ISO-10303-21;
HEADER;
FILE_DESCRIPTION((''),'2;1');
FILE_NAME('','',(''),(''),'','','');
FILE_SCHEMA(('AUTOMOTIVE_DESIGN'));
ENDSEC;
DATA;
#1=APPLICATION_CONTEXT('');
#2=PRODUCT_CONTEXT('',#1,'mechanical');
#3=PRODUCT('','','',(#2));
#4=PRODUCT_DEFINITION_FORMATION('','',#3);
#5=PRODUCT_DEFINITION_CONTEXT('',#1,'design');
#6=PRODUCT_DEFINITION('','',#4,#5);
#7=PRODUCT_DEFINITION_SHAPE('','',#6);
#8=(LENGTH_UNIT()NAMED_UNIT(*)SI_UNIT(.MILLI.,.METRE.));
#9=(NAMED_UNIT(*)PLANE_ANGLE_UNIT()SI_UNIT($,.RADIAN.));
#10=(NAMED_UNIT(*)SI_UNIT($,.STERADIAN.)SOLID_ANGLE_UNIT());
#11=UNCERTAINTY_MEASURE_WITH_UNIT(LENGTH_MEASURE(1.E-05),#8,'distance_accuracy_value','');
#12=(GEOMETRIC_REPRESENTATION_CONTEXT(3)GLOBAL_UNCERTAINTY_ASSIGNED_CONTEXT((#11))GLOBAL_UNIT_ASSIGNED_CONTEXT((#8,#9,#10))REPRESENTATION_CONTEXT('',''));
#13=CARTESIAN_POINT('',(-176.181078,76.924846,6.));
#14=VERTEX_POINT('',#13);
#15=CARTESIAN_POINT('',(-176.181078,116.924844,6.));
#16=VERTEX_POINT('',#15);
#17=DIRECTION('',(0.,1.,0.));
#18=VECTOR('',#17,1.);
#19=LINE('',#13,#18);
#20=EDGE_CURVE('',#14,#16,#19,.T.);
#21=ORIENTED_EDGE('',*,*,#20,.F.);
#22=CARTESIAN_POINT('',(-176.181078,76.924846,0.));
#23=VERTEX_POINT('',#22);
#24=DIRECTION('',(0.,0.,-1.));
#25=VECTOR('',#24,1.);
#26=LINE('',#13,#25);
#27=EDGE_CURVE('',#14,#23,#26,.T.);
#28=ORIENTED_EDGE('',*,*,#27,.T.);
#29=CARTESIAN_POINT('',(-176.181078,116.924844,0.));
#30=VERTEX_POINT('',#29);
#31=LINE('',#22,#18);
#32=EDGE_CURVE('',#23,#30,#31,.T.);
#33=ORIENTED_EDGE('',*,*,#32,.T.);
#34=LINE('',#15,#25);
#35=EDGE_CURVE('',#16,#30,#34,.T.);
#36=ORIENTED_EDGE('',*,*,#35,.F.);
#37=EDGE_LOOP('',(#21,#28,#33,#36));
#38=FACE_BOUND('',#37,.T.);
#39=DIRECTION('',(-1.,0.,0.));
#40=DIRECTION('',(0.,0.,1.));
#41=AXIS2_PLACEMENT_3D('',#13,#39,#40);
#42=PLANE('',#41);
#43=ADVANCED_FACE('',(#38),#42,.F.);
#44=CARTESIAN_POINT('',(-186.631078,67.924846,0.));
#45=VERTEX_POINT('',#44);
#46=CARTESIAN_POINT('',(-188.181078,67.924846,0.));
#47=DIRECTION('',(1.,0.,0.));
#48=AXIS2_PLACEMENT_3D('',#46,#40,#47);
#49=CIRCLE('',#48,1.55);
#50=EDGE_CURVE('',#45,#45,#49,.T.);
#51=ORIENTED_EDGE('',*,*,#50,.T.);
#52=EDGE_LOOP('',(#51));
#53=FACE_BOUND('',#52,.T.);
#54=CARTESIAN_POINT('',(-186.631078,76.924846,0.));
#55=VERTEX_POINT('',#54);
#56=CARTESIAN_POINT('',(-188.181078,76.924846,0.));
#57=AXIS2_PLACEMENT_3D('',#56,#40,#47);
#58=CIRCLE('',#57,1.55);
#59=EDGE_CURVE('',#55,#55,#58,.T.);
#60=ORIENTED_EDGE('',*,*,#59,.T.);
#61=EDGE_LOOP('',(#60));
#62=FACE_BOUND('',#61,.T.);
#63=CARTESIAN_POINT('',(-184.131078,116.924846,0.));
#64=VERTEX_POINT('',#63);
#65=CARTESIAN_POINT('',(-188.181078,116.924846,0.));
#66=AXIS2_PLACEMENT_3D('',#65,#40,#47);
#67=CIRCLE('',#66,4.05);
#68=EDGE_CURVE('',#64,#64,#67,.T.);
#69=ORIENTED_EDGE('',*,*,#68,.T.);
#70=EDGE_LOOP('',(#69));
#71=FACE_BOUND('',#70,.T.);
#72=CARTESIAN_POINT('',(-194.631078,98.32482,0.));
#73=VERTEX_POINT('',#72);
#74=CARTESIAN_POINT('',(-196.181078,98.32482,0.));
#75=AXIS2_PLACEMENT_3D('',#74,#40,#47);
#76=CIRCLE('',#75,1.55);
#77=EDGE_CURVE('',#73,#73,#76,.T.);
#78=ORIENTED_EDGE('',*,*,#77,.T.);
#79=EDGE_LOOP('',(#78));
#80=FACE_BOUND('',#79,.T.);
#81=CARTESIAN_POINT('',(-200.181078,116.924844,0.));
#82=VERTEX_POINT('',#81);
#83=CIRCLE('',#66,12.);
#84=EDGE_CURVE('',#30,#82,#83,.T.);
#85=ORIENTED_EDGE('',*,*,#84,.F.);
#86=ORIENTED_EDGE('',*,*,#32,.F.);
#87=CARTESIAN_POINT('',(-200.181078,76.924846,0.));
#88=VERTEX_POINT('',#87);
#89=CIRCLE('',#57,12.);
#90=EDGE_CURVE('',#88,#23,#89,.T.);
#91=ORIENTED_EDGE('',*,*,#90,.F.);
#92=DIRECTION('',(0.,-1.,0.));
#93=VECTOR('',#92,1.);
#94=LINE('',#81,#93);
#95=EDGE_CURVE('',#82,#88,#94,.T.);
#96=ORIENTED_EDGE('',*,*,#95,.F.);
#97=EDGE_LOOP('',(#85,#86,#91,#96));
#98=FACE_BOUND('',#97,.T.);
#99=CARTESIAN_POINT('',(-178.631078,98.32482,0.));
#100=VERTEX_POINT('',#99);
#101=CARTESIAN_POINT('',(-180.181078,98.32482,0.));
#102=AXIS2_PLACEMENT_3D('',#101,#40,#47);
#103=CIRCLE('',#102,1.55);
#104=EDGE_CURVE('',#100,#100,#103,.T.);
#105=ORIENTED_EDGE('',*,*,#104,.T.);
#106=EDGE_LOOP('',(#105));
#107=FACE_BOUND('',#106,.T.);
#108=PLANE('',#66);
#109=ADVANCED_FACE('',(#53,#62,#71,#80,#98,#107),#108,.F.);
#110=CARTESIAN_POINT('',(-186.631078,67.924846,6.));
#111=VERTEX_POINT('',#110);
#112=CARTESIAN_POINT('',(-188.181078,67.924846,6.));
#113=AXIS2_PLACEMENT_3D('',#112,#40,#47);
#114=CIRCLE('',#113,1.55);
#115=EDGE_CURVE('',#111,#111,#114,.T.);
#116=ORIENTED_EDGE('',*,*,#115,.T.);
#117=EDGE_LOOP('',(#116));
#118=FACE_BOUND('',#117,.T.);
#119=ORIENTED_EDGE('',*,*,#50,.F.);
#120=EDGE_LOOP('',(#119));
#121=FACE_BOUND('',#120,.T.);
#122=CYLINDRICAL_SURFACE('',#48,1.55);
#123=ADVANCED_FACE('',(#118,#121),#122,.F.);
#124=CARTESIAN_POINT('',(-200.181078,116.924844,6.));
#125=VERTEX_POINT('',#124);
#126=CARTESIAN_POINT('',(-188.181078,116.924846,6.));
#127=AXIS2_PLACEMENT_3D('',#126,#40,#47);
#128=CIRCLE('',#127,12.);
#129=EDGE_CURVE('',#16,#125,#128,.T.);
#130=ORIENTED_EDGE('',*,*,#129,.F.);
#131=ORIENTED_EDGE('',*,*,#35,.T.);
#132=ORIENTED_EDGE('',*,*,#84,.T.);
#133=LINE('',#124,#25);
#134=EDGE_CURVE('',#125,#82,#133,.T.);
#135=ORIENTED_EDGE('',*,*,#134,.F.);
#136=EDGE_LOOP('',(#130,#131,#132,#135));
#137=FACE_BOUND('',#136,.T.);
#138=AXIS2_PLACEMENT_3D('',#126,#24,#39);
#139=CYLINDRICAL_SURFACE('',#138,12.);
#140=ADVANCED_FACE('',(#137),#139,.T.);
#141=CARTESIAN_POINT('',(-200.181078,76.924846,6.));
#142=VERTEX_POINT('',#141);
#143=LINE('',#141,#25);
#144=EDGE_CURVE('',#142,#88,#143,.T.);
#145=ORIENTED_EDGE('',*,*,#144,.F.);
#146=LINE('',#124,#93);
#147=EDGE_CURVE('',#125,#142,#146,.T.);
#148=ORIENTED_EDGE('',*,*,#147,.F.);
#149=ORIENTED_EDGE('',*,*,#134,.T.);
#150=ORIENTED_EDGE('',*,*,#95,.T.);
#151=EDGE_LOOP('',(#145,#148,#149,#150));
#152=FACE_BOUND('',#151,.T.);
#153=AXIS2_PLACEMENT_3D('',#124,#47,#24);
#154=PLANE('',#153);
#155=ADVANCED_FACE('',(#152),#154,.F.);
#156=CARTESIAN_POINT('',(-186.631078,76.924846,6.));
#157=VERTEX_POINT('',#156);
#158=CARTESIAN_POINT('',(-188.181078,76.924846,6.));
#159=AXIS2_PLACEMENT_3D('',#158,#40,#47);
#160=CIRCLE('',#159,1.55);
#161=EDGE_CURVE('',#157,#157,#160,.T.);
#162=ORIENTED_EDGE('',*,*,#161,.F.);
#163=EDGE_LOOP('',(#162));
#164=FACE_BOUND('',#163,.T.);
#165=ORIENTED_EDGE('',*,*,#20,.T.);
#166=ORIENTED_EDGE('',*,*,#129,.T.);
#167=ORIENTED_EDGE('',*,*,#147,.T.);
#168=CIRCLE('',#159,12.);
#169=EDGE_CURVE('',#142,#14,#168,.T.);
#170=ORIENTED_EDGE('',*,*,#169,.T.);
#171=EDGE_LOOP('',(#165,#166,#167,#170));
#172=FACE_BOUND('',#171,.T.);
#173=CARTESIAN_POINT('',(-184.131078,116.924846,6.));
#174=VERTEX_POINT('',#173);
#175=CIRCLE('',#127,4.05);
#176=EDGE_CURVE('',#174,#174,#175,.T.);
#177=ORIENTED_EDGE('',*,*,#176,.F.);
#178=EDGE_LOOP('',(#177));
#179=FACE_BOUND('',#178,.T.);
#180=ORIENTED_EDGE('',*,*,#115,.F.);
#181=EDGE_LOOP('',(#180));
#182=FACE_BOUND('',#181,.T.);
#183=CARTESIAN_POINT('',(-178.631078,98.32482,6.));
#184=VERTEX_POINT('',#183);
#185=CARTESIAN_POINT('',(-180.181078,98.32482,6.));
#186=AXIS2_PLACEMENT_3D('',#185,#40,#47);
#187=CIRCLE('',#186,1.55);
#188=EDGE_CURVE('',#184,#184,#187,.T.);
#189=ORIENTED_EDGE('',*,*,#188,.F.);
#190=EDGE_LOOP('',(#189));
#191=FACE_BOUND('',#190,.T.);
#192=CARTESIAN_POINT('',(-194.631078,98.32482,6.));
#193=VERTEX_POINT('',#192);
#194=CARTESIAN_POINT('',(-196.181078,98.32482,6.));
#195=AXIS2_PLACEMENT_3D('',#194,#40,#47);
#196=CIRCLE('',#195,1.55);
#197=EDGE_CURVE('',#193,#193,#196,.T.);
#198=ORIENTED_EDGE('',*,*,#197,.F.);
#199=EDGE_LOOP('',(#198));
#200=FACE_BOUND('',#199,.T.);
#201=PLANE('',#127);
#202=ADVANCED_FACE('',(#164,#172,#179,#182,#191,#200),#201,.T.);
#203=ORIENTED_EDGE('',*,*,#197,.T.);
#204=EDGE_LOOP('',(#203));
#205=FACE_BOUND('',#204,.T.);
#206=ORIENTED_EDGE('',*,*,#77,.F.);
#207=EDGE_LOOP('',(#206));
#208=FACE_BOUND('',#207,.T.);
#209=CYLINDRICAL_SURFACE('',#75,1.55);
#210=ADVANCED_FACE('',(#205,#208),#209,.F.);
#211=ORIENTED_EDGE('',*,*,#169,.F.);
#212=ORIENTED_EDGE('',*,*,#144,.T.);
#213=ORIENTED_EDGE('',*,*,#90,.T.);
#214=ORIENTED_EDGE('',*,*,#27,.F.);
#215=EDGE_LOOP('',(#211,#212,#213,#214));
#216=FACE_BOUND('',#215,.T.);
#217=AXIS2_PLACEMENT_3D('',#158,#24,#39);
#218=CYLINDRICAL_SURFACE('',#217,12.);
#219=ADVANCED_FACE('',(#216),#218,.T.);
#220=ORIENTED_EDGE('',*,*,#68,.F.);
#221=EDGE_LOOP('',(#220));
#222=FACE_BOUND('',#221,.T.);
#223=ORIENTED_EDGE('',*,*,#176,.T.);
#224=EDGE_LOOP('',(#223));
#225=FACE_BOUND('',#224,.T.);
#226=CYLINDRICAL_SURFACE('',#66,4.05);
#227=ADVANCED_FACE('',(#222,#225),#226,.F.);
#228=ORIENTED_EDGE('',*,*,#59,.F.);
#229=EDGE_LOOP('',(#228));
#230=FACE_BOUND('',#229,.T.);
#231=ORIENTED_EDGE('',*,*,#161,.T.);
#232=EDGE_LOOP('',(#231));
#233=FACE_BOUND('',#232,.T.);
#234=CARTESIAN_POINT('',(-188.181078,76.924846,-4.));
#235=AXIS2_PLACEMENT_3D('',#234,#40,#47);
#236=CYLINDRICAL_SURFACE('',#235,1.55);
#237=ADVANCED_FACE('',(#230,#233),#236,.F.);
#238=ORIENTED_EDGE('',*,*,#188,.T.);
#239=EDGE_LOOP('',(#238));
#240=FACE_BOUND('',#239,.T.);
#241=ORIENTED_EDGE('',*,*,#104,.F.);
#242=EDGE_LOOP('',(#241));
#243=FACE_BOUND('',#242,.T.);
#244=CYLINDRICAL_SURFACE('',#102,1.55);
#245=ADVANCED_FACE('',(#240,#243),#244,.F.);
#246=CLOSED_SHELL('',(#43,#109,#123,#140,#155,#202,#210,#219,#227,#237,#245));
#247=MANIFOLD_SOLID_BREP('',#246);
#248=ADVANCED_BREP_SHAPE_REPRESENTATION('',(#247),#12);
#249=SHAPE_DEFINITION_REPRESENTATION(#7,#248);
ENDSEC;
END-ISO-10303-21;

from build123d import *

# Parameters (mm, degrees)
DODANIE_WYCI_GNI_CIE1_DEPTH = 6
SZKIC2_R                    = 1.55
WYTNIJ_WYCI_GNI_CIE1_DEPTH  = 6
SZKIC5_R                    = 4.05
WYTNIJ_WYCI_GNI_CIE3_DEPTH  = 6
SZKIC7_R                    = 1.55
WYTNIJ_WYCI_GNI_CIE5_DEPTH  = 10


with BuildPart() as part:
    # Szkic1 → Dodanie-wyciągnięcie1 (new body)
    with BuildSketch(Plane.XY):
        with BuildLine():
            Line((-200.181077779, 116.924844228), (-200.181077779, 76.924846477))
            ThreePointArc((-200.181077779, 76.924846477), (-188.181077779, 64.924846477), (-176.181077779, 76.924846477))
            Line((-176.181077779, 76.924846477), (-176.181077779, 116.924844163))
            ThreePointArc((-176.181077779, 116.924844163), (-188.181077747, 128.924846477), (-200.181077779, 116.924844228))
        make_face()
    extrude(amount=DODANIE_WYCI_GNI_CIE1_DEPTH)

    # Szkic2 → Wytnij-wyciągnięcie1 (cut)
    with BuildSketch(Plane.XY.offset(6)):
        with Locations((-196.181077779, 98.324819795)):
            Circle(SZKIC2_R)
        with Locations((-180.181077779, 98.324819795)):
            Circle(SZKIC2_R)
        with Locations((-188.181077779, 67.924846477)):
            Circle(SZKIC2_R)
    extrude(amount=-WYTNIJ_WYCI_GNI_CIE1_DEPTH, mode=Mode.SUBTRACT)

    # Szkic5 → Wytnij-wyciągnięcie3 (cut)
    with BuildSketch(Plane.XY.offset(6)):
        with Locations((-188.181077779, 116.924846477)):
            Circle(SZKIC5_R)
    extrude(amount=-WYTNIJ_WYCI_GNI_CIE3_DEPTH, mode=Mode.SUBTRACT)

    # Szkic7 → Wytnij-wyciągnięcie5 (cut)
    with BuildSketch(Plane.XY.offset(6)):
        with Locations((-188.181077779, 76.924846477)):
            Circle(SZKIC7_R)
    extrude(amount=-WYTNIJ_WYCI_GNI_CIE5_DEPTH, mode=Mode.SUBTRACT)


solid = part.part
